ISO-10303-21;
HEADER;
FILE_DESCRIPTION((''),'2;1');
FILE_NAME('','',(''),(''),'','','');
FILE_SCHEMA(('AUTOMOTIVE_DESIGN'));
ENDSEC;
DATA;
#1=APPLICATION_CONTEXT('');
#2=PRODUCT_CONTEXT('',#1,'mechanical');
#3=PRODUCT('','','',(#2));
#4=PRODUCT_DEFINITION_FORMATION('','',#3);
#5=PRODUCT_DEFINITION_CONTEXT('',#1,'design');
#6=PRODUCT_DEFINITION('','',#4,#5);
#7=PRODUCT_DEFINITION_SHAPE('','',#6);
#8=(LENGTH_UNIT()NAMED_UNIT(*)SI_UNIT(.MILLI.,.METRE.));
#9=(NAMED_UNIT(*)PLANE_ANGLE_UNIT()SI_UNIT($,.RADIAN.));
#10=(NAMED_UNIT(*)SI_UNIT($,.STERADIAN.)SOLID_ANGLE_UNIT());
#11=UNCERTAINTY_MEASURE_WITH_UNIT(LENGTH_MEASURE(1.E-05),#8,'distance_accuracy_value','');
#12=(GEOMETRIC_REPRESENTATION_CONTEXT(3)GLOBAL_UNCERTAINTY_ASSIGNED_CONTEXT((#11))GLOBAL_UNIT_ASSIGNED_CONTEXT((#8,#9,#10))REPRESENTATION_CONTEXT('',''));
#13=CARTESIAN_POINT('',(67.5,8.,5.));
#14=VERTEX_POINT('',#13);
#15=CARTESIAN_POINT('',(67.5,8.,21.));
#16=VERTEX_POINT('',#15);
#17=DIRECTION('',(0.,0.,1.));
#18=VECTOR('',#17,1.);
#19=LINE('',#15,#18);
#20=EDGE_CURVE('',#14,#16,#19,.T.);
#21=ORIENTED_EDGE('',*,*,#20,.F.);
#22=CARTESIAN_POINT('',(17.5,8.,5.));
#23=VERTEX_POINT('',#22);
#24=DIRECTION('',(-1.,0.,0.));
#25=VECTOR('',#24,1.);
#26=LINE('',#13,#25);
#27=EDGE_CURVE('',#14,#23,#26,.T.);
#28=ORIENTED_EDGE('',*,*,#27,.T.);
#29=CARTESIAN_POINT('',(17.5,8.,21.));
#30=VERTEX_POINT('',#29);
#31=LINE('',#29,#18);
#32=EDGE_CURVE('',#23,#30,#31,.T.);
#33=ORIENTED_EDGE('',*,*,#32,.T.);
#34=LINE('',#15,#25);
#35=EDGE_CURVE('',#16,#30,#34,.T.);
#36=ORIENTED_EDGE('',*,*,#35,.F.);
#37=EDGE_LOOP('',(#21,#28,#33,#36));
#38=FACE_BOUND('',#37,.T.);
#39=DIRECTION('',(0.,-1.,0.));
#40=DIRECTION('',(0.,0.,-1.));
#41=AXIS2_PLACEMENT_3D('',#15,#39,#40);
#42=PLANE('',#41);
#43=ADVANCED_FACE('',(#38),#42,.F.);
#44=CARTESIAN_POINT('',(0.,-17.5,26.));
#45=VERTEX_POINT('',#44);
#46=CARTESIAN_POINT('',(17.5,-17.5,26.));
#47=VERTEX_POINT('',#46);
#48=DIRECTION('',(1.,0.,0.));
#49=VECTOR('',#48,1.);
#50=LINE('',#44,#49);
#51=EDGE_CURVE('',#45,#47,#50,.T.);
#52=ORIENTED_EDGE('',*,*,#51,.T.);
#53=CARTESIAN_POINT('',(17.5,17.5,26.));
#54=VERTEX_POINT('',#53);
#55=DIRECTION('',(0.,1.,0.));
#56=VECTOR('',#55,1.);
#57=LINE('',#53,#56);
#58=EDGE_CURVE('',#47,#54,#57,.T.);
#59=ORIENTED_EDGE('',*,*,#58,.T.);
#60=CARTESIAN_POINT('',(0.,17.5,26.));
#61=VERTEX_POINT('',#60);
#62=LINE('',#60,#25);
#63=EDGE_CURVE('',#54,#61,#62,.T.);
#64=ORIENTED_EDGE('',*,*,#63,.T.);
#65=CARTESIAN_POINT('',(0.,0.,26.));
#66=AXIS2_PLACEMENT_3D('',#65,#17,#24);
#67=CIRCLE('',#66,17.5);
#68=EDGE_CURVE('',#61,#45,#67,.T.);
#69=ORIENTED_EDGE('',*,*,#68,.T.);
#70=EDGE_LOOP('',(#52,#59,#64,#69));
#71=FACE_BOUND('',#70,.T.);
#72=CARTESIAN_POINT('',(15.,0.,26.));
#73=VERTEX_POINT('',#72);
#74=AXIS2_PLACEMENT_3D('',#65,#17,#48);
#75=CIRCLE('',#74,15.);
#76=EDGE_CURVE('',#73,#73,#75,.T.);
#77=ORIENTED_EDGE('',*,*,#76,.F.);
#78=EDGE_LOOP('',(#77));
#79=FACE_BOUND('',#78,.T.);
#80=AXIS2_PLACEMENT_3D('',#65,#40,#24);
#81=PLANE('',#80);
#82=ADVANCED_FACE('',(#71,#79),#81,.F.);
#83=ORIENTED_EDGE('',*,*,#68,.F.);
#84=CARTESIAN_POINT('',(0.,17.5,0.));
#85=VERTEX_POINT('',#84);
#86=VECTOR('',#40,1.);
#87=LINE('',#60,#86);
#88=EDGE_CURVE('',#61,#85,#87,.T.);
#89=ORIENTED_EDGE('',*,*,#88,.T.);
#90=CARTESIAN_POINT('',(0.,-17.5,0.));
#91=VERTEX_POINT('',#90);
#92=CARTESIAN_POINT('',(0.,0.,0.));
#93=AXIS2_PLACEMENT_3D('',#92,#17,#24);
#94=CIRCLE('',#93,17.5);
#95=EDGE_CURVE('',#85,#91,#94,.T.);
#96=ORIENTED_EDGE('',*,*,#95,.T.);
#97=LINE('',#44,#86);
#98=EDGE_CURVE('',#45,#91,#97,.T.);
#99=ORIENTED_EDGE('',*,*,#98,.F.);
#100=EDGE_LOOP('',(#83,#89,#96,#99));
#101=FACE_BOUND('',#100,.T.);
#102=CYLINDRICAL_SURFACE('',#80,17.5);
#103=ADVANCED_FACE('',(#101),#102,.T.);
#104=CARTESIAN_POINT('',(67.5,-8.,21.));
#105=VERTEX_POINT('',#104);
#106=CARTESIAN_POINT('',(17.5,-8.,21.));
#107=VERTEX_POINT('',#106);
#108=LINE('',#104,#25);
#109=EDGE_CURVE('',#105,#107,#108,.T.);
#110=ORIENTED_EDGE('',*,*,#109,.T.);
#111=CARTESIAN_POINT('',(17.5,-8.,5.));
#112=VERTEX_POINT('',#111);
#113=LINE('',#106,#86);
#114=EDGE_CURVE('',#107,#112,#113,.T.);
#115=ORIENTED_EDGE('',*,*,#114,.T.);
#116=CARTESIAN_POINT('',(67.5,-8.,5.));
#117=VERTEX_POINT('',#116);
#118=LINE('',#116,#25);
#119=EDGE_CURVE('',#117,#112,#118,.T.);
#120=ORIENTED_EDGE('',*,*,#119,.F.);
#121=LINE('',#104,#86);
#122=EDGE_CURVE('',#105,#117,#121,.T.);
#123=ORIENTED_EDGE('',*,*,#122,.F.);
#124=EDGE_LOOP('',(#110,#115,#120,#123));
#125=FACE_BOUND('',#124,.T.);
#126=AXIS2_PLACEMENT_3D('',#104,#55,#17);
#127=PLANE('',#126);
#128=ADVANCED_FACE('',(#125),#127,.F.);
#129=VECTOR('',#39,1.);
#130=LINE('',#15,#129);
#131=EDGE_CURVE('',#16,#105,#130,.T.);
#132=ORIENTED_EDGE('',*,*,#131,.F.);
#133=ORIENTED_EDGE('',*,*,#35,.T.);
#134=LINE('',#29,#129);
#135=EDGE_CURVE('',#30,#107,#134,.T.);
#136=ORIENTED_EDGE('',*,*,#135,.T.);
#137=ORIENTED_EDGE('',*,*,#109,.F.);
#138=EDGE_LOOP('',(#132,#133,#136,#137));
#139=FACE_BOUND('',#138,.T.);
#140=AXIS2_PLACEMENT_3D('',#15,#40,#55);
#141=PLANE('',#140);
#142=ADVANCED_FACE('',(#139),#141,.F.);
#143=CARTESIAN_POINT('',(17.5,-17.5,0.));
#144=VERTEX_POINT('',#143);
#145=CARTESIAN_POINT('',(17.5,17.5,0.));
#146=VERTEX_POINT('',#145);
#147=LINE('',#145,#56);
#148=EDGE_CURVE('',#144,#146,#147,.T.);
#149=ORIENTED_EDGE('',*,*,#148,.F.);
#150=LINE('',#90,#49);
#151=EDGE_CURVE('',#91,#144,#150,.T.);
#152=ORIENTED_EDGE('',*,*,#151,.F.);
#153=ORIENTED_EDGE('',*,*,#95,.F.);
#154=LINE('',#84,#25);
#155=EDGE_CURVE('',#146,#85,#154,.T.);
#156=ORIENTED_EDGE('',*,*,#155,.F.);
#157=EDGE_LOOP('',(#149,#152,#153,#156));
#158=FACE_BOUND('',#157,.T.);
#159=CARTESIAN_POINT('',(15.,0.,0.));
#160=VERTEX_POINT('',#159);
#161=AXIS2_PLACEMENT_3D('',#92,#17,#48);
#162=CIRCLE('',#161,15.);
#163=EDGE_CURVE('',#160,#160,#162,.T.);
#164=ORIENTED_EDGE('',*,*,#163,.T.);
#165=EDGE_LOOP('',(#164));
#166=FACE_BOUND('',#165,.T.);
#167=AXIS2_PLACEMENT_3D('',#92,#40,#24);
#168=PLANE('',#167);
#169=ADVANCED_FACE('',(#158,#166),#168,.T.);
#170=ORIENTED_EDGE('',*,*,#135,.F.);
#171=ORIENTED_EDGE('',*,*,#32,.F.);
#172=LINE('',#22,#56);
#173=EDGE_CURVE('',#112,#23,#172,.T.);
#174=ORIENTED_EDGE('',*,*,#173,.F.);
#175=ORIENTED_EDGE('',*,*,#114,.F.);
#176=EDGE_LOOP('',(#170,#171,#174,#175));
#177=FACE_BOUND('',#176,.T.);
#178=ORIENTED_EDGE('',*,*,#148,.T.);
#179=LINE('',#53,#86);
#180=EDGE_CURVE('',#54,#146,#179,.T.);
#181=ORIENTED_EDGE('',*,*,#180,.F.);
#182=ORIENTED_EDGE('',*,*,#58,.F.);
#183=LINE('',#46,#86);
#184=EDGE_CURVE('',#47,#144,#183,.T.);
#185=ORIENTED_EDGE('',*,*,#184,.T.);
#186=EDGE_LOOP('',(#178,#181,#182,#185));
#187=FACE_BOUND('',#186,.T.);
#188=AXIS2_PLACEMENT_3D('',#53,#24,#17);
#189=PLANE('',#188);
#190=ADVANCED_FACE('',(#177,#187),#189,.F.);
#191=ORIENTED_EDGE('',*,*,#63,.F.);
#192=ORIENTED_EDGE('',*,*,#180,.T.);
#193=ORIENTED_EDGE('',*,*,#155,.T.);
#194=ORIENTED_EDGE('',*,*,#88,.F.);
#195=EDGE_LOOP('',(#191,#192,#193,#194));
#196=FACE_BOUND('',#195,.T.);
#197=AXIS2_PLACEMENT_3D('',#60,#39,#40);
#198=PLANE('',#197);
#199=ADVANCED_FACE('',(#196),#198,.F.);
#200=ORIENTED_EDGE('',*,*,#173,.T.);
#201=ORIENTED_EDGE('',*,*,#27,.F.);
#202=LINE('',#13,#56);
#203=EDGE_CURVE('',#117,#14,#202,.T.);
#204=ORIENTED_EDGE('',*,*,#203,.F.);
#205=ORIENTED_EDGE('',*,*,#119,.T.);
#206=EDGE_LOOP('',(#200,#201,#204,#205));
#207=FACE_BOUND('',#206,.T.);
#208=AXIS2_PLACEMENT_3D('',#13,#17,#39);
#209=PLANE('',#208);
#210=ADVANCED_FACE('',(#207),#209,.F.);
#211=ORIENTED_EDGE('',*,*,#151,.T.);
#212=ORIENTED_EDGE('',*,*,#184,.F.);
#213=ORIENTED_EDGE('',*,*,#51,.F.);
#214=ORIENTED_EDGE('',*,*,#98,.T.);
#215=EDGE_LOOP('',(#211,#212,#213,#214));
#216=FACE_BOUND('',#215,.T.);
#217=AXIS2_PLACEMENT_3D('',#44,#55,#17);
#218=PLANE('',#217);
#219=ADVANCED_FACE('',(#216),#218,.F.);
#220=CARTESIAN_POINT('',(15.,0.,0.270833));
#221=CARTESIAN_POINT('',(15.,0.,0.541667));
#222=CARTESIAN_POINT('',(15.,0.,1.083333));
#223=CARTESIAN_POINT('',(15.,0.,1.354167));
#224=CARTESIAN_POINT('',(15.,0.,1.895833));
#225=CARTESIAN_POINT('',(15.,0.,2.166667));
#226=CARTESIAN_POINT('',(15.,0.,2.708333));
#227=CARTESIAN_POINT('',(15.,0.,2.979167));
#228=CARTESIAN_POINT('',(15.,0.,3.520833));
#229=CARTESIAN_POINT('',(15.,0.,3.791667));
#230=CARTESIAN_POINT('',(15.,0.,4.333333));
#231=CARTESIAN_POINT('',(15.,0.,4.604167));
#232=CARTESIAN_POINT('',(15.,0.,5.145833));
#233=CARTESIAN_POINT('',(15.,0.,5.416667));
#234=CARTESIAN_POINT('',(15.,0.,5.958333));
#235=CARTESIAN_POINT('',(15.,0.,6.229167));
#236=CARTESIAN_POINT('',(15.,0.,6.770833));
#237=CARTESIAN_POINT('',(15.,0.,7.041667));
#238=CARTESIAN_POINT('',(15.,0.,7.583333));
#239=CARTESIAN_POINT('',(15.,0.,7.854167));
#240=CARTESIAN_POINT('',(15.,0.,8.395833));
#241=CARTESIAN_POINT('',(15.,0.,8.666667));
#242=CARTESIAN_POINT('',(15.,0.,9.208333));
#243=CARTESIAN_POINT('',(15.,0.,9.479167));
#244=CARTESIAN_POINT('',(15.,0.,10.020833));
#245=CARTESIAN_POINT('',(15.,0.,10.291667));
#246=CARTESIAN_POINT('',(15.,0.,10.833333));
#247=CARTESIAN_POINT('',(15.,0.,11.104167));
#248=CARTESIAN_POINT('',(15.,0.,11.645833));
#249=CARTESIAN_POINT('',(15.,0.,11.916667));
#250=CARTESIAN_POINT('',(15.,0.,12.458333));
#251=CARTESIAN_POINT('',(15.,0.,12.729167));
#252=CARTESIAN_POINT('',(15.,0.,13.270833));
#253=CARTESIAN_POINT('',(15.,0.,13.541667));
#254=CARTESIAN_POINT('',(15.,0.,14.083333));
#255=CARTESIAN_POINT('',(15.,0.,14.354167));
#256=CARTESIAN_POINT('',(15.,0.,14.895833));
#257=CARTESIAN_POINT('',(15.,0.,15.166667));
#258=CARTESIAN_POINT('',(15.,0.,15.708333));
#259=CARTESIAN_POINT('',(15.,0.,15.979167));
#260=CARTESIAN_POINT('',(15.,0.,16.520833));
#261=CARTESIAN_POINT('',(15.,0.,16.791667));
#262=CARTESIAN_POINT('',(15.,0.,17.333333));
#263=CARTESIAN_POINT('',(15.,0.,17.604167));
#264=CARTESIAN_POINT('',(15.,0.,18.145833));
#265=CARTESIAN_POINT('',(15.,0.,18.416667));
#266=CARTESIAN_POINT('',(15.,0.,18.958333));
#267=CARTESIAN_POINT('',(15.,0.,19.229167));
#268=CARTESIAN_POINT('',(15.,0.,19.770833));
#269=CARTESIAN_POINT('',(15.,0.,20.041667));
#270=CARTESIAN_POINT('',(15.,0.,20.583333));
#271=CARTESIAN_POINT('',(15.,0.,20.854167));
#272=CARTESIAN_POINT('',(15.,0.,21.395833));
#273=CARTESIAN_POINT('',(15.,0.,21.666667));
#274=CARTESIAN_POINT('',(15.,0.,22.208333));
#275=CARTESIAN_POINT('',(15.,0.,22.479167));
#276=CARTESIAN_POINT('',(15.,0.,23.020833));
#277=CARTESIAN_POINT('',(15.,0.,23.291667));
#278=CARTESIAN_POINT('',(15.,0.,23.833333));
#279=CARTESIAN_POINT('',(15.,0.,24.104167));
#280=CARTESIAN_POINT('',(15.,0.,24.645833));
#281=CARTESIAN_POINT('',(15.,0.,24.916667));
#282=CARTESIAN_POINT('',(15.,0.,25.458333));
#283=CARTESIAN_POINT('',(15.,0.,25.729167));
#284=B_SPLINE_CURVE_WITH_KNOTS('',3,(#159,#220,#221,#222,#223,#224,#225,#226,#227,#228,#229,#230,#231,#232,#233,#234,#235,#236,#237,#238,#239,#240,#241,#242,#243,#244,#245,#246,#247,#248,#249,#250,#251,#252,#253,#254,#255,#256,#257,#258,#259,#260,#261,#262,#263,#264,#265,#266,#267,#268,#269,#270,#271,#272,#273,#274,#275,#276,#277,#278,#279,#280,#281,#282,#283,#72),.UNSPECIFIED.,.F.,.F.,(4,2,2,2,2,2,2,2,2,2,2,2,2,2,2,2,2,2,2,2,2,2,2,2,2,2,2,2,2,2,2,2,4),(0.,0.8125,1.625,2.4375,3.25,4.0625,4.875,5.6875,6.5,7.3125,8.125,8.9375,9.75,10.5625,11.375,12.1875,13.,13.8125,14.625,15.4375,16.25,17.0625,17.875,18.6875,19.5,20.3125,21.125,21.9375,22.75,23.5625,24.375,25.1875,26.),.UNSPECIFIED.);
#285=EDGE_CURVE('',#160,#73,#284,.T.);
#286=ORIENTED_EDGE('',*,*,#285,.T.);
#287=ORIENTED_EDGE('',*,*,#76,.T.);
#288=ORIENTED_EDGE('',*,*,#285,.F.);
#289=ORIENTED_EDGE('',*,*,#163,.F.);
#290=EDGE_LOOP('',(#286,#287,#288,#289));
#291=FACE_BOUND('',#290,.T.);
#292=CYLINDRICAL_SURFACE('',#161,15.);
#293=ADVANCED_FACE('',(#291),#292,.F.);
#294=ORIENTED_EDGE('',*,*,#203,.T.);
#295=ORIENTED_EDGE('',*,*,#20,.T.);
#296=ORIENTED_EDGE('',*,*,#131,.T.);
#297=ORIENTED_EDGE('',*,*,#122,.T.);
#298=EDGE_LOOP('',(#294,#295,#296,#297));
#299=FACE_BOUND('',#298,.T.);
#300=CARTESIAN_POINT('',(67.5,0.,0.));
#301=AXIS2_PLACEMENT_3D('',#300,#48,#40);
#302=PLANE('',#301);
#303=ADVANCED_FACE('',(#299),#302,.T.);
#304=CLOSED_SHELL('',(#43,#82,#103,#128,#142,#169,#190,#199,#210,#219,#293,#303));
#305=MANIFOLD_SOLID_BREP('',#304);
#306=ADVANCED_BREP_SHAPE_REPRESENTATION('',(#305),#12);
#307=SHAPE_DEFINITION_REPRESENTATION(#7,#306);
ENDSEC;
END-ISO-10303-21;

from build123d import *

# Parameters (mm, degrees)
EXTRUDE_1_DEPTH     = 26
SKETCH_2_R          = 15
CUT_EXTRUDE_1_DEPTH = 26
SKETCH_3_W          = 16
SKETCH_3_H          = 16
EXTRUDE_2_DEPTH     = 50


with BuildPart() as part:
    # 草图1 → 凸台-拉伸1 (new body)
    with BuildSketch(Plane.XY):
        with BuildLine():
            Line((0, 17.5), (17.5, 17.5))
            Line((17.5, 17.5), (17.5, -17.5))
            Line((17.5, -17.5), (0, -17.5))
            ThreePointArc((0, -17.5), (-17.5, 0), (0, 17.5))
        make_face()
    extrude(amount=EXTRUDE_1_DEPTH)

    # 草图2 → 切除-拉伸1 (cut)
    with BuildSketch(Plane.XY.offset(26)):
        Circle(SKETCH_2_R)
    extrude(amount=-CUT_EXTRUDE_1_DEPTH, mode=Mode.SUBTRACT)

    # 草图3 → 凸台-拉伸2 (add)
    with BuildSketch(Plane(origin=(17.5, 0, 0), x_dir=(0, 0, -1), z_dir=(1, 0, 0))):
        with Locations((-13, 0)):
            Rectangle(SKETCH_3_W, SKETCH_3_H)
    extrude(amount=EXTRUDE_2_DEPTH)


solid = part.part
